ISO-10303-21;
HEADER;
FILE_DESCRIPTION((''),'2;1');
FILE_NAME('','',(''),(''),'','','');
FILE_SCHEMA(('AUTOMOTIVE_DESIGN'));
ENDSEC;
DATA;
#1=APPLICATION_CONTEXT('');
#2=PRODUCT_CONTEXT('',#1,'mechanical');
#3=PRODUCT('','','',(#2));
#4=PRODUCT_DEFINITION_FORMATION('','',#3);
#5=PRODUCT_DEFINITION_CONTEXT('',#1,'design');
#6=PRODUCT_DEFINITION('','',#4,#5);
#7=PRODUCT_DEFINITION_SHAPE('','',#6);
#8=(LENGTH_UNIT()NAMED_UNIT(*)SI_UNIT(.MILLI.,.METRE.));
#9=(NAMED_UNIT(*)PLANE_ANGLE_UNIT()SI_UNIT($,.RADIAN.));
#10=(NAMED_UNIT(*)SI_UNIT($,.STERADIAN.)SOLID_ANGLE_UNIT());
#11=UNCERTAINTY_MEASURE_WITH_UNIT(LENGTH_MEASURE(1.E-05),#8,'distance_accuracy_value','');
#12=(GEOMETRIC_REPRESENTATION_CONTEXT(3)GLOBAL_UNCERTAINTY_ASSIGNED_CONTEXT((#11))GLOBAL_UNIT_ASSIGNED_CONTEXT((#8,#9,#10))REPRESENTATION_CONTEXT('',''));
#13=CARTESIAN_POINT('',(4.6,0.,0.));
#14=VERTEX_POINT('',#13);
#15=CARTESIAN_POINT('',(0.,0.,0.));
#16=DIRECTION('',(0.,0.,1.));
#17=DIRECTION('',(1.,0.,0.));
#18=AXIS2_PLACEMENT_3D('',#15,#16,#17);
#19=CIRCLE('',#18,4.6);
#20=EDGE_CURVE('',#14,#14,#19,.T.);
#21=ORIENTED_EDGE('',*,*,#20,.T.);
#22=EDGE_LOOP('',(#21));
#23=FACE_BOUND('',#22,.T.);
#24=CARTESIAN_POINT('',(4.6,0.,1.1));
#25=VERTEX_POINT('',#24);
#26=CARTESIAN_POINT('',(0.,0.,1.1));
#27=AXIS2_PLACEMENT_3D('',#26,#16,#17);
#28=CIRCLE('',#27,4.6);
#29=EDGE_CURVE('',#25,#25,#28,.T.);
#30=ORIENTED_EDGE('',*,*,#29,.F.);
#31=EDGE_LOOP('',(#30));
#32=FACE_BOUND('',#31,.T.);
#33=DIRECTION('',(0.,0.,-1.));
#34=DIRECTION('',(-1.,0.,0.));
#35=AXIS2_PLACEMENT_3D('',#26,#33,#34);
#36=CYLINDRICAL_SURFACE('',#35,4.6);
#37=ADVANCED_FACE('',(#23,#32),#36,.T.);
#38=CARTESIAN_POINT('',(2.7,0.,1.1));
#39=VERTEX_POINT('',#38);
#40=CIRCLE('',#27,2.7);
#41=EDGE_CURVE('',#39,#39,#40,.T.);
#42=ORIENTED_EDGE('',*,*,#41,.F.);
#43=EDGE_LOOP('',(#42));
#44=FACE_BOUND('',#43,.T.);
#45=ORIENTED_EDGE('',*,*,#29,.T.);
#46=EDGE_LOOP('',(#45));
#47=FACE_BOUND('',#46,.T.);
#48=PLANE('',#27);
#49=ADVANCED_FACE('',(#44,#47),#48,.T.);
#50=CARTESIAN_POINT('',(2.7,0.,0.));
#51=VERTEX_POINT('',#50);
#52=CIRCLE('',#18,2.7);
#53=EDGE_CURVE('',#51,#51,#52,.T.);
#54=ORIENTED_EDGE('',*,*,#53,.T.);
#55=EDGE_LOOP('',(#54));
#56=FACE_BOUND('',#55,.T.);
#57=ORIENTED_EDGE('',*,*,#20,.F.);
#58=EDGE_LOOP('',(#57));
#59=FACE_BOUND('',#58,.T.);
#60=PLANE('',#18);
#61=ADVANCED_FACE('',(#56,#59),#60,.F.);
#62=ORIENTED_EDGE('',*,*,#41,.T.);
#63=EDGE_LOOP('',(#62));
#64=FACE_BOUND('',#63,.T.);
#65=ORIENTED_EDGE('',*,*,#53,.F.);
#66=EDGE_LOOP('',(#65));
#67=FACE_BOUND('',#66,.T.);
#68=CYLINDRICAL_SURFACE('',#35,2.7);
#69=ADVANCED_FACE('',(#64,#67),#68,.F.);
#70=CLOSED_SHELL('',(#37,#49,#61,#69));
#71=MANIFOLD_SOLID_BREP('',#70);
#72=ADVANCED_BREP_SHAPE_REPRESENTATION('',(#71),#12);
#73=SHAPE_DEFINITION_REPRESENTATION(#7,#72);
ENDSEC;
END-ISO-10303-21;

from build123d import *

# Parameters (mm, degrees)
SKETCH1_R           = 4.6
SKETCH1_R_2         = 2.7
BOSS_EXTRUDE1_DEPTH = 1.1


with BuildPart() as part:
    # Sketch1 → Boss-Extrude1 (new body)
    with BuildSketch(Plane.XY):
        Circle(SKETCH1_R)
        Circle(SKETCH1_R_2, mode=Mode.SUBTRACT)
    extrude(amount=BOSS_EXTRUDE1_DEPTH)


solid = part.part
